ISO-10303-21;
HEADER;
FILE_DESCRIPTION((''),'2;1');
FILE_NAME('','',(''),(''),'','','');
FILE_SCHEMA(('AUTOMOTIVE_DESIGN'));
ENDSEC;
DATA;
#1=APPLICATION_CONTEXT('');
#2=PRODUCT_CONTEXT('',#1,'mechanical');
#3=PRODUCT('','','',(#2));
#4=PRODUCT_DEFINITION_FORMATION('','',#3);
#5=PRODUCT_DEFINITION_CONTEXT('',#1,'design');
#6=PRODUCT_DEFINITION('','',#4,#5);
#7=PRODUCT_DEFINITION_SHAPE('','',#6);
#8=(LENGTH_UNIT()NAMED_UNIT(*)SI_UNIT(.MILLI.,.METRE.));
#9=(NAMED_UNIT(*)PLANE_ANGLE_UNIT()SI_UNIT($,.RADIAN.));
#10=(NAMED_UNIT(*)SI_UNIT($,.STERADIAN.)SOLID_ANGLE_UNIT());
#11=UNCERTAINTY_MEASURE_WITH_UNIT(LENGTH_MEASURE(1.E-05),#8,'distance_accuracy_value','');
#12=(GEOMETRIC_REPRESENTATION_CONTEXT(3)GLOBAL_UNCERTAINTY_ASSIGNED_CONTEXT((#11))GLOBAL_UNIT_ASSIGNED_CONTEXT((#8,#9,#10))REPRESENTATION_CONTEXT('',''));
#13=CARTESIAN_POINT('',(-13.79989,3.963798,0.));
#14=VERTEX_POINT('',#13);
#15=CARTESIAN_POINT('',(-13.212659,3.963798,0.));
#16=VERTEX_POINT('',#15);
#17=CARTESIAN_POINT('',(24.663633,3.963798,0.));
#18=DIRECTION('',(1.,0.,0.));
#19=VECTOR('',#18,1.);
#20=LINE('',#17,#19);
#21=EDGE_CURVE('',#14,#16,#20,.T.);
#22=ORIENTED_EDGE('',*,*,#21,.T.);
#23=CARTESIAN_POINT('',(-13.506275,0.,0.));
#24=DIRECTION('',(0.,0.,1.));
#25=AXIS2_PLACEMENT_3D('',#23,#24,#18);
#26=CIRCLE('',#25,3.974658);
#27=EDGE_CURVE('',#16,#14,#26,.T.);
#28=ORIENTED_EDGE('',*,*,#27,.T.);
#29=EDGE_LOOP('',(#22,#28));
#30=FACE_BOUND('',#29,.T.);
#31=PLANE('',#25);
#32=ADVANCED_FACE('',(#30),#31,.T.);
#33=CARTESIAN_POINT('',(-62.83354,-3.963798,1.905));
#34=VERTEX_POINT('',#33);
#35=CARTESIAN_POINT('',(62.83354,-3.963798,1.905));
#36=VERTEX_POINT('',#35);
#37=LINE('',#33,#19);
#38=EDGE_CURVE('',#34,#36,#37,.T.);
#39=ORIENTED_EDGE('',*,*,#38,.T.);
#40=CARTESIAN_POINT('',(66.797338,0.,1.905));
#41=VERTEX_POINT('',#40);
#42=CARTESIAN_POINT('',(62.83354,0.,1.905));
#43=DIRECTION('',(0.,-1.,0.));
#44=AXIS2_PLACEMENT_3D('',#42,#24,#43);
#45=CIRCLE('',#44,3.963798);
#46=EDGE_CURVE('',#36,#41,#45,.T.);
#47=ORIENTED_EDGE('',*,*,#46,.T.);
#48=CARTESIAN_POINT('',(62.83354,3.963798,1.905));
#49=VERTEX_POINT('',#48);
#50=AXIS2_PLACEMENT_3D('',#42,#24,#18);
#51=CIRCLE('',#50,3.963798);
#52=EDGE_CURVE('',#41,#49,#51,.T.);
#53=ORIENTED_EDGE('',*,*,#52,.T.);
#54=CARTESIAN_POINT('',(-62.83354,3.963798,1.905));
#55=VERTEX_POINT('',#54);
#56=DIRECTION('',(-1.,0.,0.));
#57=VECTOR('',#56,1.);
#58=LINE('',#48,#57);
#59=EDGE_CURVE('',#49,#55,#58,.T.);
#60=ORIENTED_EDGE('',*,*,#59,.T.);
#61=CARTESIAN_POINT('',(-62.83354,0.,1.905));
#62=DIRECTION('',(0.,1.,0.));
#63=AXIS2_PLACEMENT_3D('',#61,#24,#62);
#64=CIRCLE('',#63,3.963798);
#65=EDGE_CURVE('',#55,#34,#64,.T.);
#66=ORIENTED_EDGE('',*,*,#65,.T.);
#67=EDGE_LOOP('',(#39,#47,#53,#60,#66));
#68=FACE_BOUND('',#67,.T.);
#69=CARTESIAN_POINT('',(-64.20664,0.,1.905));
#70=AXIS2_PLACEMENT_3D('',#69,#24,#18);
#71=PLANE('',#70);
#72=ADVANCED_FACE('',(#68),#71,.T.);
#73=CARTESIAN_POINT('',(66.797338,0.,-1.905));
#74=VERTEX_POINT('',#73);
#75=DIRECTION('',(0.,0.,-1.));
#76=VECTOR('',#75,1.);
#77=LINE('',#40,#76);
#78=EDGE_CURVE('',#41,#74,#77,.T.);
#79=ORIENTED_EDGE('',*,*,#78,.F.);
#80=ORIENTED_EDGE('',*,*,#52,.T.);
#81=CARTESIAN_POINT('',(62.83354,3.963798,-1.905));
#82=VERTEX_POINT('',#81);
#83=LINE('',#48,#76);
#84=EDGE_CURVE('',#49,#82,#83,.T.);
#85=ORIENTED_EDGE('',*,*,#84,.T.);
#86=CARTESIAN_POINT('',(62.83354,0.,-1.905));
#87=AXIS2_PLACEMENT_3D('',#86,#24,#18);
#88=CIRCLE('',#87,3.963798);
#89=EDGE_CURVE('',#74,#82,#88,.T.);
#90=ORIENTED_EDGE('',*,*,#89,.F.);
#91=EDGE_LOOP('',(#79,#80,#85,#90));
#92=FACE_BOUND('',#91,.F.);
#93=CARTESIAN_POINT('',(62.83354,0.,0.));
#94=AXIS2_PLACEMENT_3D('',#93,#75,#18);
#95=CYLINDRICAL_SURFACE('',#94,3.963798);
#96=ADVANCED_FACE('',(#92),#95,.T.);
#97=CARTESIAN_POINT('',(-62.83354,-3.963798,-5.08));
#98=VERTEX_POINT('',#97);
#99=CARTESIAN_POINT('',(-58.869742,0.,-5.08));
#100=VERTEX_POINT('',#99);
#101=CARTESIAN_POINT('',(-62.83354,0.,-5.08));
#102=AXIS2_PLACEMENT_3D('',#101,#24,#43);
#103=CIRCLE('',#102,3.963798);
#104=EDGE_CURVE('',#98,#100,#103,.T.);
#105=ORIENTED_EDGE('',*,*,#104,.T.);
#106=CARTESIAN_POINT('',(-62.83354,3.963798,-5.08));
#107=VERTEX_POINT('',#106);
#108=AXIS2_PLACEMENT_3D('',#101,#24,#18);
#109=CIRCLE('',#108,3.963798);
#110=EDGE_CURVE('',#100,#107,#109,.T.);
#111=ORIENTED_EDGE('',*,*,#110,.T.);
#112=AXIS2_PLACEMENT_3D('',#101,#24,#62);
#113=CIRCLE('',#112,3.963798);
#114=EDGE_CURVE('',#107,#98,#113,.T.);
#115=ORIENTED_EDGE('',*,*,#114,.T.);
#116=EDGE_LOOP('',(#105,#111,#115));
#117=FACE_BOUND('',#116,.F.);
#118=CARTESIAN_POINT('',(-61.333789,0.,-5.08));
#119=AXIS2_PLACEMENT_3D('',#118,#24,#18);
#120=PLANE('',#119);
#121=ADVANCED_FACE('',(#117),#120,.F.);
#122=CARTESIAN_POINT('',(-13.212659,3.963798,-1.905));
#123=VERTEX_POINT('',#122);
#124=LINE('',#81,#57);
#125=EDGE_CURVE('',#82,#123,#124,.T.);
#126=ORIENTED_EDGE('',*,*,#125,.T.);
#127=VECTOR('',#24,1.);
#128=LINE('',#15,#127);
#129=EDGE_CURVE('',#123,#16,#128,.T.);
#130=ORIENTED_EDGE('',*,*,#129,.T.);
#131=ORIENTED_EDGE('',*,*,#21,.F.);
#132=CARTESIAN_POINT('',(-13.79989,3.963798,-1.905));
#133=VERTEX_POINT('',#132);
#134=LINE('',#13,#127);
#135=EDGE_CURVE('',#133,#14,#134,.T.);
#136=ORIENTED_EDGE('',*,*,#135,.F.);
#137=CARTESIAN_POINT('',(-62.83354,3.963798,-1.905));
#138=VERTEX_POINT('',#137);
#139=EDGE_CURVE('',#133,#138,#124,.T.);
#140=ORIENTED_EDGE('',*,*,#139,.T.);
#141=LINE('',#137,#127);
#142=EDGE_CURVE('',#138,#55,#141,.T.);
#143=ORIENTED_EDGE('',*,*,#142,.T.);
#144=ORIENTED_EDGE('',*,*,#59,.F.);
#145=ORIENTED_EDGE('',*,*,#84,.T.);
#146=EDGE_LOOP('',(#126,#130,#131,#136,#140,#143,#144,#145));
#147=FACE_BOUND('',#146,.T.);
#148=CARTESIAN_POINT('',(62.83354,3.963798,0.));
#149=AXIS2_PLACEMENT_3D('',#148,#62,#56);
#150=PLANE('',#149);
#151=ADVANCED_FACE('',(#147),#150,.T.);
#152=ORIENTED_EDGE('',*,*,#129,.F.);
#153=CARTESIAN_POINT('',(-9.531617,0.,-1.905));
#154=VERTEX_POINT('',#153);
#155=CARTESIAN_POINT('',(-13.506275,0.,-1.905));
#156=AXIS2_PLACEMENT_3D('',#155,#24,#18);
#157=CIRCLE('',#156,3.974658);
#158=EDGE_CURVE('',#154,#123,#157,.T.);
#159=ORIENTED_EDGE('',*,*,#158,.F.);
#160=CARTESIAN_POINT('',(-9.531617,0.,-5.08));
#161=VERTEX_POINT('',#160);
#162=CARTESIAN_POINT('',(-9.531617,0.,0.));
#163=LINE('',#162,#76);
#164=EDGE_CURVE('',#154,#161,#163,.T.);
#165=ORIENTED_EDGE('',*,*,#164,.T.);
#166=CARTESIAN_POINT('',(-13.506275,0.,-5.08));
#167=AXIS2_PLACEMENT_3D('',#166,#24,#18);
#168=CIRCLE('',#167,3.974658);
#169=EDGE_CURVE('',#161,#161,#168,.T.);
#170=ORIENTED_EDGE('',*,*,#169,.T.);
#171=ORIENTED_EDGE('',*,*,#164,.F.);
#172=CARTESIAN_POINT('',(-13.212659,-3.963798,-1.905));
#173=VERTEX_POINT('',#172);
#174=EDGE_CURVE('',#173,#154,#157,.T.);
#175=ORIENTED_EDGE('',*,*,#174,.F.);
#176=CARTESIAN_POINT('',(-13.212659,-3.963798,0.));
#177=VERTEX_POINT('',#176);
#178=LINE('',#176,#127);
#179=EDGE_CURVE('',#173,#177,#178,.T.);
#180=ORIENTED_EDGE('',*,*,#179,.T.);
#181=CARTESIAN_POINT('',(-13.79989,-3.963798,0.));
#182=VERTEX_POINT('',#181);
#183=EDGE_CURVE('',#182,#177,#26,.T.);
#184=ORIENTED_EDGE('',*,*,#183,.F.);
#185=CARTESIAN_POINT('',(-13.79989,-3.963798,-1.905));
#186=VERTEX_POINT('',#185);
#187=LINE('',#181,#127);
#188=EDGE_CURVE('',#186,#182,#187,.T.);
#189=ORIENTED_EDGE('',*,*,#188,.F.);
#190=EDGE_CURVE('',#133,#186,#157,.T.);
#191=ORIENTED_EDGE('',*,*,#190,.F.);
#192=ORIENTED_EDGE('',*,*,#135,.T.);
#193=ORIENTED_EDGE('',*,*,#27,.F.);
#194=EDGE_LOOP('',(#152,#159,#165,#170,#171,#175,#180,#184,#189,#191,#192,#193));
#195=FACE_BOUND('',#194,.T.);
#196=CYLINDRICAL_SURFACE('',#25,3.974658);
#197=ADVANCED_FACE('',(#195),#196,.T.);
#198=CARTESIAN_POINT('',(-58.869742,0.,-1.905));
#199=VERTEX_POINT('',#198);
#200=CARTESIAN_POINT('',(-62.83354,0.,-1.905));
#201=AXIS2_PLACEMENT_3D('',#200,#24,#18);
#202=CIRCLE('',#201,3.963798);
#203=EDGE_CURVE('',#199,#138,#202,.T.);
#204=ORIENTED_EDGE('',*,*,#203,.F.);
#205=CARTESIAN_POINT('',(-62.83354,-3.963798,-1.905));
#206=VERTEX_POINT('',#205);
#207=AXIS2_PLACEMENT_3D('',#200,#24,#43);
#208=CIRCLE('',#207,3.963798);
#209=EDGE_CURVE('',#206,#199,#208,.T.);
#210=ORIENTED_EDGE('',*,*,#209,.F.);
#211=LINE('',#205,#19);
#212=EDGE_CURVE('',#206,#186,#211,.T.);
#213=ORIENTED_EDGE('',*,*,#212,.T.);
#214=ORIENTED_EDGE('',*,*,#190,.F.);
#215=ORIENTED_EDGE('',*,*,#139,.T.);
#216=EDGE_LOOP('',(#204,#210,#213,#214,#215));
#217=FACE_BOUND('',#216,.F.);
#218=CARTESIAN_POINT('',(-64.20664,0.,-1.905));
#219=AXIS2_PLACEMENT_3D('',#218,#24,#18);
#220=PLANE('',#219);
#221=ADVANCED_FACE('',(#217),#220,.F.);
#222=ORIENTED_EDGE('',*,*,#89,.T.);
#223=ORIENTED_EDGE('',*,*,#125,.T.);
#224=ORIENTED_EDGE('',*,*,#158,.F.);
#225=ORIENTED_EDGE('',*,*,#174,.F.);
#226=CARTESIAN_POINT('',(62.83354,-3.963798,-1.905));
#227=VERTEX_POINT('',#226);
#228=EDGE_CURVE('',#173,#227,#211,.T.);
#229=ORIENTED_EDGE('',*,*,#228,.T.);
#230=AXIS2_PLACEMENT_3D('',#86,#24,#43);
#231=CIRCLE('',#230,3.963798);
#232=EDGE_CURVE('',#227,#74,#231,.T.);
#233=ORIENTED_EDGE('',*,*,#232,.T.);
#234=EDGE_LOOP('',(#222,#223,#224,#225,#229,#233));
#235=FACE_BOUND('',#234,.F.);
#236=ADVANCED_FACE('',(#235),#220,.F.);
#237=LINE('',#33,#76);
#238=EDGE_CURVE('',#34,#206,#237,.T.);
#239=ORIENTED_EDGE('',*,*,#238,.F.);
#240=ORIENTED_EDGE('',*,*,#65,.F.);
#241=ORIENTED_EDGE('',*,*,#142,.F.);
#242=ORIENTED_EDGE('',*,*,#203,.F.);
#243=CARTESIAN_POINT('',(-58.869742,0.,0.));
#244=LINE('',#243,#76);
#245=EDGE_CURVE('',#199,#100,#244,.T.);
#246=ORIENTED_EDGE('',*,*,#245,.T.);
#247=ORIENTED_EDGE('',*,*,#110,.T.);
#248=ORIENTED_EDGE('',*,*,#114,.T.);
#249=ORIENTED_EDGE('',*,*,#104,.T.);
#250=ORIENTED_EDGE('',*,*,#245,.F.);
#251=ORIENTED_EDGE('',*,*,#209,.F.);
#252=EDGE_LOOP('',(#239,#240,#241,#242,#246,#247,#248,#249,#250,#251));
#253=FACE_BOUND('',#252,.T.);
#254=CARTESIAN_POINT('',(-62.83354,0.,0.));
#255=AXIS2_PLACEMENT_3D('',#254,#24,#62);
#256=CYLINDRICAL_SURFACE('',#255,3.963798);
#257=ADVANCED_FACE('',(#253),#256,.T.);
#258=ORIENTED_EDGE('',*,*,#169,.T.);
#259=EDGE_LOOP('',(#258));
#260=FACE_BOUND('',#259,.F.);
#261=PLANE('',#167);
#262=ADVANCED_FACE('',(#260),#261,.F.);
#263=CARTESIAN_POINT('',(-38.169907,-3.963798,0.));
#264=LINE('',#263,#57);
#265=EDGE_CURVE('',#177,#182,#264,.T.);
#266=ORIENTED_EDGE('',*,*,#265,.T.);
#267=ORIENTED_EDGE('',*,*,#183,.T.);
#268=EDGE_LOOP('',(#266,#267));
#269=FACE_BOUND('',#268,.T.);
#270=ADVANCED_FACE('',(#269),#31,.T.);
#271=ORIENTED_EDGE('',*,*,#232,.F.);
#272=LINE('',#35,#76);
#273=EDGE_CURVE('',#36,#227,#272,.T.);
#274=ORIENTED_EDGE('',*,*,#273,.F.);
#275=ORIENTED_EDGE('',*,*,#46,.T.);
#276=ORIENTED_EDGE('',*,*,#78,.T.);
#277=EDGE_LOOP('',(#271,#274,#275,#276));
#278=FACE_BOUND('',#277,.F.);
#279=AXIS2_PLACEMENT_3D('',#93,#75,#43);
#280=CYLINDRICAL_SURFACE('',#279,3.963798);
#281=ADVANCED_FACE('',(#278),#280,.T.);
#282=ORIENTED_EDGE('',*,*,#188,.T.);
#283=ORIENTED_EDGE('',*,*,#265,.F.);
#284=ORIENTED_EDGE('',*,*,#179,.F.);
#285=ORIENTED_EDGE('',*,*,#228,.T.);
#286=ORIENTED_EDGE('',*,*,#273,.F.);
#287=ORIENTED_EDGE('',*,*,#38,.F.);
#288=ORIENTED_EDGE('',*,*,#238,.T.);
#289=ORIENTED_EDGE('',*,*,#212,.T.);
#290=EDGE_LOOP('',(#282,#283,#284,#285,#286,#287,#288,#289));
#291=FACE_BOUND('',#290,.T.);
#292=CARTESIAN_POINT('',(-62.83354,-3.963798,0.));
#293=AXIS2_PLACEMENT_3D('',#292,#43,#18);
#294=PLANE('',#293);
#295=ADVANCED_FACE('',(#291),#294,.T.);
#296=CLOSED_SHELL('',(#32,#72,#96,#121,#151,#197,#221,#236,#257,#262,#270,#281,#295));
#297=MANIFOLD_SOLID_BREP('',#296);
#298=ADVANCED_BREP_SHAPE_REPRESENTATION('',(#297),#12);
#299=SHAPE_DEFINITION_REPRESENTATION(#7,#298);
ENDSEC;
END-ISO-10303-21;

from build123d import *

# Parameters (mm, degrees)
F1_DEPTH = 1.905
F2_R     = 3.9746580695
F3_DEPTH = 5.08


with BuildPart() as f1:
    # F0 (on Top) → F1 (new body, symmetric)
    with BuildSketch(Plane.XY):
        with BuildLine():
            Line((-62.8335401416, -3.9637982845), (-62.8335401416, 3.9637982845))
            ThreePointArc((-62.8335401416, 3.9637982845), (-66.7973384261, 0), (-62.8335401416, -3.9637982845))
        make_face()
        with BuildLine():
            ThreePointArc((-58.8697418571, 0), (-60.0307114953, 2.8028286462), (-62.8335401416, 3.9637982845))
            Line((-62.8335401416, 3.9637982845), (-62.8335401416, -3.9637982845))
            ThreePointArc((-62.8335401416, -3.9637982845), (-60.0307114953, -2.8028286462), (-58.8697418571, 0))
        make_face()
        with BuildLine():
            Line((62.8335401416, 3.9637982845), (-62.8335401416, 3.9637982845))
            ThreePointArc((-62.8335401416, 3.9637982845), (-60.0307114953, 2.8028286462), (-58.8697418571, 0))
            ThreePointArc((-58.8697418571, 0), (-60.0307114953, -2.8028286462), (-62.8335401416, -3.9637982845))
            Line((-62.8335401416, -3.9637982845), (62.8335401416, -3.9637982845))
            ThreePointArc((62.8335401416, -3.9637982845), (58.8697418571, 0), (62.8335401416, 3.9637982845))
        make_face()
        with BuildLine():
            Line((62.8335401416, -3.9637982845), (62.8335401416, 3.9637982845))
            ThreePointArc((62.8335401416, 3.9637982845), (58.8697418571, 0), (62.8335401416, -3.9637982845))
        make_face()
        with BuildLine():
            ThreePointArc((66.7973384261, 0), (65.6363687878, 2.8028286462), (62.8335401416, 3.9637982845))
            Line((62.8335401416, 3.9637982845), (62.8335401416, -3.9637982845))
            ThreePointArc((62.8335401416, -3.9637982845), (65.6363687878, -2.8028286462), (66.7973384261, 0))
        make_face()
    extrude(amount=F1_DEPTH, both=True)

    # F2 (on Top) + F0 (on Top) → F3 (join)
    with BuildSketch(Plane.XY):
        with Locations((-13.5062746704, 0)):
            Circle(F2_R)
    with BuildSketch(Plane.XY):
        with BuildLine():
            ThreePointArc((-58.8697418571, 0), (-60.0307114953, 2.8028286462), (-62.8335401416, 3.9637982845))
            Line((-62.8335401416, 3.9637982845), (-62.8335401416, -3.9637982845))
            ThreePointArc((-62.8335401416, -3.9637982845), (-60.0307114953, -2.8028286462), (-58.8697418571, 0))
        make_face()
        with BuildLine():
            Line((-62.8335401416, -3.9637982845), (-62.8335401416, 3.9637982845))
            ThreePointArc((-62.8335401416, 3.9637982845), (-66.7973384261, 0), (-62.8335401416, -3.9637982845))
        make_face()
    extrude(amount=-F3_DEPTH)


solid = f1.part
